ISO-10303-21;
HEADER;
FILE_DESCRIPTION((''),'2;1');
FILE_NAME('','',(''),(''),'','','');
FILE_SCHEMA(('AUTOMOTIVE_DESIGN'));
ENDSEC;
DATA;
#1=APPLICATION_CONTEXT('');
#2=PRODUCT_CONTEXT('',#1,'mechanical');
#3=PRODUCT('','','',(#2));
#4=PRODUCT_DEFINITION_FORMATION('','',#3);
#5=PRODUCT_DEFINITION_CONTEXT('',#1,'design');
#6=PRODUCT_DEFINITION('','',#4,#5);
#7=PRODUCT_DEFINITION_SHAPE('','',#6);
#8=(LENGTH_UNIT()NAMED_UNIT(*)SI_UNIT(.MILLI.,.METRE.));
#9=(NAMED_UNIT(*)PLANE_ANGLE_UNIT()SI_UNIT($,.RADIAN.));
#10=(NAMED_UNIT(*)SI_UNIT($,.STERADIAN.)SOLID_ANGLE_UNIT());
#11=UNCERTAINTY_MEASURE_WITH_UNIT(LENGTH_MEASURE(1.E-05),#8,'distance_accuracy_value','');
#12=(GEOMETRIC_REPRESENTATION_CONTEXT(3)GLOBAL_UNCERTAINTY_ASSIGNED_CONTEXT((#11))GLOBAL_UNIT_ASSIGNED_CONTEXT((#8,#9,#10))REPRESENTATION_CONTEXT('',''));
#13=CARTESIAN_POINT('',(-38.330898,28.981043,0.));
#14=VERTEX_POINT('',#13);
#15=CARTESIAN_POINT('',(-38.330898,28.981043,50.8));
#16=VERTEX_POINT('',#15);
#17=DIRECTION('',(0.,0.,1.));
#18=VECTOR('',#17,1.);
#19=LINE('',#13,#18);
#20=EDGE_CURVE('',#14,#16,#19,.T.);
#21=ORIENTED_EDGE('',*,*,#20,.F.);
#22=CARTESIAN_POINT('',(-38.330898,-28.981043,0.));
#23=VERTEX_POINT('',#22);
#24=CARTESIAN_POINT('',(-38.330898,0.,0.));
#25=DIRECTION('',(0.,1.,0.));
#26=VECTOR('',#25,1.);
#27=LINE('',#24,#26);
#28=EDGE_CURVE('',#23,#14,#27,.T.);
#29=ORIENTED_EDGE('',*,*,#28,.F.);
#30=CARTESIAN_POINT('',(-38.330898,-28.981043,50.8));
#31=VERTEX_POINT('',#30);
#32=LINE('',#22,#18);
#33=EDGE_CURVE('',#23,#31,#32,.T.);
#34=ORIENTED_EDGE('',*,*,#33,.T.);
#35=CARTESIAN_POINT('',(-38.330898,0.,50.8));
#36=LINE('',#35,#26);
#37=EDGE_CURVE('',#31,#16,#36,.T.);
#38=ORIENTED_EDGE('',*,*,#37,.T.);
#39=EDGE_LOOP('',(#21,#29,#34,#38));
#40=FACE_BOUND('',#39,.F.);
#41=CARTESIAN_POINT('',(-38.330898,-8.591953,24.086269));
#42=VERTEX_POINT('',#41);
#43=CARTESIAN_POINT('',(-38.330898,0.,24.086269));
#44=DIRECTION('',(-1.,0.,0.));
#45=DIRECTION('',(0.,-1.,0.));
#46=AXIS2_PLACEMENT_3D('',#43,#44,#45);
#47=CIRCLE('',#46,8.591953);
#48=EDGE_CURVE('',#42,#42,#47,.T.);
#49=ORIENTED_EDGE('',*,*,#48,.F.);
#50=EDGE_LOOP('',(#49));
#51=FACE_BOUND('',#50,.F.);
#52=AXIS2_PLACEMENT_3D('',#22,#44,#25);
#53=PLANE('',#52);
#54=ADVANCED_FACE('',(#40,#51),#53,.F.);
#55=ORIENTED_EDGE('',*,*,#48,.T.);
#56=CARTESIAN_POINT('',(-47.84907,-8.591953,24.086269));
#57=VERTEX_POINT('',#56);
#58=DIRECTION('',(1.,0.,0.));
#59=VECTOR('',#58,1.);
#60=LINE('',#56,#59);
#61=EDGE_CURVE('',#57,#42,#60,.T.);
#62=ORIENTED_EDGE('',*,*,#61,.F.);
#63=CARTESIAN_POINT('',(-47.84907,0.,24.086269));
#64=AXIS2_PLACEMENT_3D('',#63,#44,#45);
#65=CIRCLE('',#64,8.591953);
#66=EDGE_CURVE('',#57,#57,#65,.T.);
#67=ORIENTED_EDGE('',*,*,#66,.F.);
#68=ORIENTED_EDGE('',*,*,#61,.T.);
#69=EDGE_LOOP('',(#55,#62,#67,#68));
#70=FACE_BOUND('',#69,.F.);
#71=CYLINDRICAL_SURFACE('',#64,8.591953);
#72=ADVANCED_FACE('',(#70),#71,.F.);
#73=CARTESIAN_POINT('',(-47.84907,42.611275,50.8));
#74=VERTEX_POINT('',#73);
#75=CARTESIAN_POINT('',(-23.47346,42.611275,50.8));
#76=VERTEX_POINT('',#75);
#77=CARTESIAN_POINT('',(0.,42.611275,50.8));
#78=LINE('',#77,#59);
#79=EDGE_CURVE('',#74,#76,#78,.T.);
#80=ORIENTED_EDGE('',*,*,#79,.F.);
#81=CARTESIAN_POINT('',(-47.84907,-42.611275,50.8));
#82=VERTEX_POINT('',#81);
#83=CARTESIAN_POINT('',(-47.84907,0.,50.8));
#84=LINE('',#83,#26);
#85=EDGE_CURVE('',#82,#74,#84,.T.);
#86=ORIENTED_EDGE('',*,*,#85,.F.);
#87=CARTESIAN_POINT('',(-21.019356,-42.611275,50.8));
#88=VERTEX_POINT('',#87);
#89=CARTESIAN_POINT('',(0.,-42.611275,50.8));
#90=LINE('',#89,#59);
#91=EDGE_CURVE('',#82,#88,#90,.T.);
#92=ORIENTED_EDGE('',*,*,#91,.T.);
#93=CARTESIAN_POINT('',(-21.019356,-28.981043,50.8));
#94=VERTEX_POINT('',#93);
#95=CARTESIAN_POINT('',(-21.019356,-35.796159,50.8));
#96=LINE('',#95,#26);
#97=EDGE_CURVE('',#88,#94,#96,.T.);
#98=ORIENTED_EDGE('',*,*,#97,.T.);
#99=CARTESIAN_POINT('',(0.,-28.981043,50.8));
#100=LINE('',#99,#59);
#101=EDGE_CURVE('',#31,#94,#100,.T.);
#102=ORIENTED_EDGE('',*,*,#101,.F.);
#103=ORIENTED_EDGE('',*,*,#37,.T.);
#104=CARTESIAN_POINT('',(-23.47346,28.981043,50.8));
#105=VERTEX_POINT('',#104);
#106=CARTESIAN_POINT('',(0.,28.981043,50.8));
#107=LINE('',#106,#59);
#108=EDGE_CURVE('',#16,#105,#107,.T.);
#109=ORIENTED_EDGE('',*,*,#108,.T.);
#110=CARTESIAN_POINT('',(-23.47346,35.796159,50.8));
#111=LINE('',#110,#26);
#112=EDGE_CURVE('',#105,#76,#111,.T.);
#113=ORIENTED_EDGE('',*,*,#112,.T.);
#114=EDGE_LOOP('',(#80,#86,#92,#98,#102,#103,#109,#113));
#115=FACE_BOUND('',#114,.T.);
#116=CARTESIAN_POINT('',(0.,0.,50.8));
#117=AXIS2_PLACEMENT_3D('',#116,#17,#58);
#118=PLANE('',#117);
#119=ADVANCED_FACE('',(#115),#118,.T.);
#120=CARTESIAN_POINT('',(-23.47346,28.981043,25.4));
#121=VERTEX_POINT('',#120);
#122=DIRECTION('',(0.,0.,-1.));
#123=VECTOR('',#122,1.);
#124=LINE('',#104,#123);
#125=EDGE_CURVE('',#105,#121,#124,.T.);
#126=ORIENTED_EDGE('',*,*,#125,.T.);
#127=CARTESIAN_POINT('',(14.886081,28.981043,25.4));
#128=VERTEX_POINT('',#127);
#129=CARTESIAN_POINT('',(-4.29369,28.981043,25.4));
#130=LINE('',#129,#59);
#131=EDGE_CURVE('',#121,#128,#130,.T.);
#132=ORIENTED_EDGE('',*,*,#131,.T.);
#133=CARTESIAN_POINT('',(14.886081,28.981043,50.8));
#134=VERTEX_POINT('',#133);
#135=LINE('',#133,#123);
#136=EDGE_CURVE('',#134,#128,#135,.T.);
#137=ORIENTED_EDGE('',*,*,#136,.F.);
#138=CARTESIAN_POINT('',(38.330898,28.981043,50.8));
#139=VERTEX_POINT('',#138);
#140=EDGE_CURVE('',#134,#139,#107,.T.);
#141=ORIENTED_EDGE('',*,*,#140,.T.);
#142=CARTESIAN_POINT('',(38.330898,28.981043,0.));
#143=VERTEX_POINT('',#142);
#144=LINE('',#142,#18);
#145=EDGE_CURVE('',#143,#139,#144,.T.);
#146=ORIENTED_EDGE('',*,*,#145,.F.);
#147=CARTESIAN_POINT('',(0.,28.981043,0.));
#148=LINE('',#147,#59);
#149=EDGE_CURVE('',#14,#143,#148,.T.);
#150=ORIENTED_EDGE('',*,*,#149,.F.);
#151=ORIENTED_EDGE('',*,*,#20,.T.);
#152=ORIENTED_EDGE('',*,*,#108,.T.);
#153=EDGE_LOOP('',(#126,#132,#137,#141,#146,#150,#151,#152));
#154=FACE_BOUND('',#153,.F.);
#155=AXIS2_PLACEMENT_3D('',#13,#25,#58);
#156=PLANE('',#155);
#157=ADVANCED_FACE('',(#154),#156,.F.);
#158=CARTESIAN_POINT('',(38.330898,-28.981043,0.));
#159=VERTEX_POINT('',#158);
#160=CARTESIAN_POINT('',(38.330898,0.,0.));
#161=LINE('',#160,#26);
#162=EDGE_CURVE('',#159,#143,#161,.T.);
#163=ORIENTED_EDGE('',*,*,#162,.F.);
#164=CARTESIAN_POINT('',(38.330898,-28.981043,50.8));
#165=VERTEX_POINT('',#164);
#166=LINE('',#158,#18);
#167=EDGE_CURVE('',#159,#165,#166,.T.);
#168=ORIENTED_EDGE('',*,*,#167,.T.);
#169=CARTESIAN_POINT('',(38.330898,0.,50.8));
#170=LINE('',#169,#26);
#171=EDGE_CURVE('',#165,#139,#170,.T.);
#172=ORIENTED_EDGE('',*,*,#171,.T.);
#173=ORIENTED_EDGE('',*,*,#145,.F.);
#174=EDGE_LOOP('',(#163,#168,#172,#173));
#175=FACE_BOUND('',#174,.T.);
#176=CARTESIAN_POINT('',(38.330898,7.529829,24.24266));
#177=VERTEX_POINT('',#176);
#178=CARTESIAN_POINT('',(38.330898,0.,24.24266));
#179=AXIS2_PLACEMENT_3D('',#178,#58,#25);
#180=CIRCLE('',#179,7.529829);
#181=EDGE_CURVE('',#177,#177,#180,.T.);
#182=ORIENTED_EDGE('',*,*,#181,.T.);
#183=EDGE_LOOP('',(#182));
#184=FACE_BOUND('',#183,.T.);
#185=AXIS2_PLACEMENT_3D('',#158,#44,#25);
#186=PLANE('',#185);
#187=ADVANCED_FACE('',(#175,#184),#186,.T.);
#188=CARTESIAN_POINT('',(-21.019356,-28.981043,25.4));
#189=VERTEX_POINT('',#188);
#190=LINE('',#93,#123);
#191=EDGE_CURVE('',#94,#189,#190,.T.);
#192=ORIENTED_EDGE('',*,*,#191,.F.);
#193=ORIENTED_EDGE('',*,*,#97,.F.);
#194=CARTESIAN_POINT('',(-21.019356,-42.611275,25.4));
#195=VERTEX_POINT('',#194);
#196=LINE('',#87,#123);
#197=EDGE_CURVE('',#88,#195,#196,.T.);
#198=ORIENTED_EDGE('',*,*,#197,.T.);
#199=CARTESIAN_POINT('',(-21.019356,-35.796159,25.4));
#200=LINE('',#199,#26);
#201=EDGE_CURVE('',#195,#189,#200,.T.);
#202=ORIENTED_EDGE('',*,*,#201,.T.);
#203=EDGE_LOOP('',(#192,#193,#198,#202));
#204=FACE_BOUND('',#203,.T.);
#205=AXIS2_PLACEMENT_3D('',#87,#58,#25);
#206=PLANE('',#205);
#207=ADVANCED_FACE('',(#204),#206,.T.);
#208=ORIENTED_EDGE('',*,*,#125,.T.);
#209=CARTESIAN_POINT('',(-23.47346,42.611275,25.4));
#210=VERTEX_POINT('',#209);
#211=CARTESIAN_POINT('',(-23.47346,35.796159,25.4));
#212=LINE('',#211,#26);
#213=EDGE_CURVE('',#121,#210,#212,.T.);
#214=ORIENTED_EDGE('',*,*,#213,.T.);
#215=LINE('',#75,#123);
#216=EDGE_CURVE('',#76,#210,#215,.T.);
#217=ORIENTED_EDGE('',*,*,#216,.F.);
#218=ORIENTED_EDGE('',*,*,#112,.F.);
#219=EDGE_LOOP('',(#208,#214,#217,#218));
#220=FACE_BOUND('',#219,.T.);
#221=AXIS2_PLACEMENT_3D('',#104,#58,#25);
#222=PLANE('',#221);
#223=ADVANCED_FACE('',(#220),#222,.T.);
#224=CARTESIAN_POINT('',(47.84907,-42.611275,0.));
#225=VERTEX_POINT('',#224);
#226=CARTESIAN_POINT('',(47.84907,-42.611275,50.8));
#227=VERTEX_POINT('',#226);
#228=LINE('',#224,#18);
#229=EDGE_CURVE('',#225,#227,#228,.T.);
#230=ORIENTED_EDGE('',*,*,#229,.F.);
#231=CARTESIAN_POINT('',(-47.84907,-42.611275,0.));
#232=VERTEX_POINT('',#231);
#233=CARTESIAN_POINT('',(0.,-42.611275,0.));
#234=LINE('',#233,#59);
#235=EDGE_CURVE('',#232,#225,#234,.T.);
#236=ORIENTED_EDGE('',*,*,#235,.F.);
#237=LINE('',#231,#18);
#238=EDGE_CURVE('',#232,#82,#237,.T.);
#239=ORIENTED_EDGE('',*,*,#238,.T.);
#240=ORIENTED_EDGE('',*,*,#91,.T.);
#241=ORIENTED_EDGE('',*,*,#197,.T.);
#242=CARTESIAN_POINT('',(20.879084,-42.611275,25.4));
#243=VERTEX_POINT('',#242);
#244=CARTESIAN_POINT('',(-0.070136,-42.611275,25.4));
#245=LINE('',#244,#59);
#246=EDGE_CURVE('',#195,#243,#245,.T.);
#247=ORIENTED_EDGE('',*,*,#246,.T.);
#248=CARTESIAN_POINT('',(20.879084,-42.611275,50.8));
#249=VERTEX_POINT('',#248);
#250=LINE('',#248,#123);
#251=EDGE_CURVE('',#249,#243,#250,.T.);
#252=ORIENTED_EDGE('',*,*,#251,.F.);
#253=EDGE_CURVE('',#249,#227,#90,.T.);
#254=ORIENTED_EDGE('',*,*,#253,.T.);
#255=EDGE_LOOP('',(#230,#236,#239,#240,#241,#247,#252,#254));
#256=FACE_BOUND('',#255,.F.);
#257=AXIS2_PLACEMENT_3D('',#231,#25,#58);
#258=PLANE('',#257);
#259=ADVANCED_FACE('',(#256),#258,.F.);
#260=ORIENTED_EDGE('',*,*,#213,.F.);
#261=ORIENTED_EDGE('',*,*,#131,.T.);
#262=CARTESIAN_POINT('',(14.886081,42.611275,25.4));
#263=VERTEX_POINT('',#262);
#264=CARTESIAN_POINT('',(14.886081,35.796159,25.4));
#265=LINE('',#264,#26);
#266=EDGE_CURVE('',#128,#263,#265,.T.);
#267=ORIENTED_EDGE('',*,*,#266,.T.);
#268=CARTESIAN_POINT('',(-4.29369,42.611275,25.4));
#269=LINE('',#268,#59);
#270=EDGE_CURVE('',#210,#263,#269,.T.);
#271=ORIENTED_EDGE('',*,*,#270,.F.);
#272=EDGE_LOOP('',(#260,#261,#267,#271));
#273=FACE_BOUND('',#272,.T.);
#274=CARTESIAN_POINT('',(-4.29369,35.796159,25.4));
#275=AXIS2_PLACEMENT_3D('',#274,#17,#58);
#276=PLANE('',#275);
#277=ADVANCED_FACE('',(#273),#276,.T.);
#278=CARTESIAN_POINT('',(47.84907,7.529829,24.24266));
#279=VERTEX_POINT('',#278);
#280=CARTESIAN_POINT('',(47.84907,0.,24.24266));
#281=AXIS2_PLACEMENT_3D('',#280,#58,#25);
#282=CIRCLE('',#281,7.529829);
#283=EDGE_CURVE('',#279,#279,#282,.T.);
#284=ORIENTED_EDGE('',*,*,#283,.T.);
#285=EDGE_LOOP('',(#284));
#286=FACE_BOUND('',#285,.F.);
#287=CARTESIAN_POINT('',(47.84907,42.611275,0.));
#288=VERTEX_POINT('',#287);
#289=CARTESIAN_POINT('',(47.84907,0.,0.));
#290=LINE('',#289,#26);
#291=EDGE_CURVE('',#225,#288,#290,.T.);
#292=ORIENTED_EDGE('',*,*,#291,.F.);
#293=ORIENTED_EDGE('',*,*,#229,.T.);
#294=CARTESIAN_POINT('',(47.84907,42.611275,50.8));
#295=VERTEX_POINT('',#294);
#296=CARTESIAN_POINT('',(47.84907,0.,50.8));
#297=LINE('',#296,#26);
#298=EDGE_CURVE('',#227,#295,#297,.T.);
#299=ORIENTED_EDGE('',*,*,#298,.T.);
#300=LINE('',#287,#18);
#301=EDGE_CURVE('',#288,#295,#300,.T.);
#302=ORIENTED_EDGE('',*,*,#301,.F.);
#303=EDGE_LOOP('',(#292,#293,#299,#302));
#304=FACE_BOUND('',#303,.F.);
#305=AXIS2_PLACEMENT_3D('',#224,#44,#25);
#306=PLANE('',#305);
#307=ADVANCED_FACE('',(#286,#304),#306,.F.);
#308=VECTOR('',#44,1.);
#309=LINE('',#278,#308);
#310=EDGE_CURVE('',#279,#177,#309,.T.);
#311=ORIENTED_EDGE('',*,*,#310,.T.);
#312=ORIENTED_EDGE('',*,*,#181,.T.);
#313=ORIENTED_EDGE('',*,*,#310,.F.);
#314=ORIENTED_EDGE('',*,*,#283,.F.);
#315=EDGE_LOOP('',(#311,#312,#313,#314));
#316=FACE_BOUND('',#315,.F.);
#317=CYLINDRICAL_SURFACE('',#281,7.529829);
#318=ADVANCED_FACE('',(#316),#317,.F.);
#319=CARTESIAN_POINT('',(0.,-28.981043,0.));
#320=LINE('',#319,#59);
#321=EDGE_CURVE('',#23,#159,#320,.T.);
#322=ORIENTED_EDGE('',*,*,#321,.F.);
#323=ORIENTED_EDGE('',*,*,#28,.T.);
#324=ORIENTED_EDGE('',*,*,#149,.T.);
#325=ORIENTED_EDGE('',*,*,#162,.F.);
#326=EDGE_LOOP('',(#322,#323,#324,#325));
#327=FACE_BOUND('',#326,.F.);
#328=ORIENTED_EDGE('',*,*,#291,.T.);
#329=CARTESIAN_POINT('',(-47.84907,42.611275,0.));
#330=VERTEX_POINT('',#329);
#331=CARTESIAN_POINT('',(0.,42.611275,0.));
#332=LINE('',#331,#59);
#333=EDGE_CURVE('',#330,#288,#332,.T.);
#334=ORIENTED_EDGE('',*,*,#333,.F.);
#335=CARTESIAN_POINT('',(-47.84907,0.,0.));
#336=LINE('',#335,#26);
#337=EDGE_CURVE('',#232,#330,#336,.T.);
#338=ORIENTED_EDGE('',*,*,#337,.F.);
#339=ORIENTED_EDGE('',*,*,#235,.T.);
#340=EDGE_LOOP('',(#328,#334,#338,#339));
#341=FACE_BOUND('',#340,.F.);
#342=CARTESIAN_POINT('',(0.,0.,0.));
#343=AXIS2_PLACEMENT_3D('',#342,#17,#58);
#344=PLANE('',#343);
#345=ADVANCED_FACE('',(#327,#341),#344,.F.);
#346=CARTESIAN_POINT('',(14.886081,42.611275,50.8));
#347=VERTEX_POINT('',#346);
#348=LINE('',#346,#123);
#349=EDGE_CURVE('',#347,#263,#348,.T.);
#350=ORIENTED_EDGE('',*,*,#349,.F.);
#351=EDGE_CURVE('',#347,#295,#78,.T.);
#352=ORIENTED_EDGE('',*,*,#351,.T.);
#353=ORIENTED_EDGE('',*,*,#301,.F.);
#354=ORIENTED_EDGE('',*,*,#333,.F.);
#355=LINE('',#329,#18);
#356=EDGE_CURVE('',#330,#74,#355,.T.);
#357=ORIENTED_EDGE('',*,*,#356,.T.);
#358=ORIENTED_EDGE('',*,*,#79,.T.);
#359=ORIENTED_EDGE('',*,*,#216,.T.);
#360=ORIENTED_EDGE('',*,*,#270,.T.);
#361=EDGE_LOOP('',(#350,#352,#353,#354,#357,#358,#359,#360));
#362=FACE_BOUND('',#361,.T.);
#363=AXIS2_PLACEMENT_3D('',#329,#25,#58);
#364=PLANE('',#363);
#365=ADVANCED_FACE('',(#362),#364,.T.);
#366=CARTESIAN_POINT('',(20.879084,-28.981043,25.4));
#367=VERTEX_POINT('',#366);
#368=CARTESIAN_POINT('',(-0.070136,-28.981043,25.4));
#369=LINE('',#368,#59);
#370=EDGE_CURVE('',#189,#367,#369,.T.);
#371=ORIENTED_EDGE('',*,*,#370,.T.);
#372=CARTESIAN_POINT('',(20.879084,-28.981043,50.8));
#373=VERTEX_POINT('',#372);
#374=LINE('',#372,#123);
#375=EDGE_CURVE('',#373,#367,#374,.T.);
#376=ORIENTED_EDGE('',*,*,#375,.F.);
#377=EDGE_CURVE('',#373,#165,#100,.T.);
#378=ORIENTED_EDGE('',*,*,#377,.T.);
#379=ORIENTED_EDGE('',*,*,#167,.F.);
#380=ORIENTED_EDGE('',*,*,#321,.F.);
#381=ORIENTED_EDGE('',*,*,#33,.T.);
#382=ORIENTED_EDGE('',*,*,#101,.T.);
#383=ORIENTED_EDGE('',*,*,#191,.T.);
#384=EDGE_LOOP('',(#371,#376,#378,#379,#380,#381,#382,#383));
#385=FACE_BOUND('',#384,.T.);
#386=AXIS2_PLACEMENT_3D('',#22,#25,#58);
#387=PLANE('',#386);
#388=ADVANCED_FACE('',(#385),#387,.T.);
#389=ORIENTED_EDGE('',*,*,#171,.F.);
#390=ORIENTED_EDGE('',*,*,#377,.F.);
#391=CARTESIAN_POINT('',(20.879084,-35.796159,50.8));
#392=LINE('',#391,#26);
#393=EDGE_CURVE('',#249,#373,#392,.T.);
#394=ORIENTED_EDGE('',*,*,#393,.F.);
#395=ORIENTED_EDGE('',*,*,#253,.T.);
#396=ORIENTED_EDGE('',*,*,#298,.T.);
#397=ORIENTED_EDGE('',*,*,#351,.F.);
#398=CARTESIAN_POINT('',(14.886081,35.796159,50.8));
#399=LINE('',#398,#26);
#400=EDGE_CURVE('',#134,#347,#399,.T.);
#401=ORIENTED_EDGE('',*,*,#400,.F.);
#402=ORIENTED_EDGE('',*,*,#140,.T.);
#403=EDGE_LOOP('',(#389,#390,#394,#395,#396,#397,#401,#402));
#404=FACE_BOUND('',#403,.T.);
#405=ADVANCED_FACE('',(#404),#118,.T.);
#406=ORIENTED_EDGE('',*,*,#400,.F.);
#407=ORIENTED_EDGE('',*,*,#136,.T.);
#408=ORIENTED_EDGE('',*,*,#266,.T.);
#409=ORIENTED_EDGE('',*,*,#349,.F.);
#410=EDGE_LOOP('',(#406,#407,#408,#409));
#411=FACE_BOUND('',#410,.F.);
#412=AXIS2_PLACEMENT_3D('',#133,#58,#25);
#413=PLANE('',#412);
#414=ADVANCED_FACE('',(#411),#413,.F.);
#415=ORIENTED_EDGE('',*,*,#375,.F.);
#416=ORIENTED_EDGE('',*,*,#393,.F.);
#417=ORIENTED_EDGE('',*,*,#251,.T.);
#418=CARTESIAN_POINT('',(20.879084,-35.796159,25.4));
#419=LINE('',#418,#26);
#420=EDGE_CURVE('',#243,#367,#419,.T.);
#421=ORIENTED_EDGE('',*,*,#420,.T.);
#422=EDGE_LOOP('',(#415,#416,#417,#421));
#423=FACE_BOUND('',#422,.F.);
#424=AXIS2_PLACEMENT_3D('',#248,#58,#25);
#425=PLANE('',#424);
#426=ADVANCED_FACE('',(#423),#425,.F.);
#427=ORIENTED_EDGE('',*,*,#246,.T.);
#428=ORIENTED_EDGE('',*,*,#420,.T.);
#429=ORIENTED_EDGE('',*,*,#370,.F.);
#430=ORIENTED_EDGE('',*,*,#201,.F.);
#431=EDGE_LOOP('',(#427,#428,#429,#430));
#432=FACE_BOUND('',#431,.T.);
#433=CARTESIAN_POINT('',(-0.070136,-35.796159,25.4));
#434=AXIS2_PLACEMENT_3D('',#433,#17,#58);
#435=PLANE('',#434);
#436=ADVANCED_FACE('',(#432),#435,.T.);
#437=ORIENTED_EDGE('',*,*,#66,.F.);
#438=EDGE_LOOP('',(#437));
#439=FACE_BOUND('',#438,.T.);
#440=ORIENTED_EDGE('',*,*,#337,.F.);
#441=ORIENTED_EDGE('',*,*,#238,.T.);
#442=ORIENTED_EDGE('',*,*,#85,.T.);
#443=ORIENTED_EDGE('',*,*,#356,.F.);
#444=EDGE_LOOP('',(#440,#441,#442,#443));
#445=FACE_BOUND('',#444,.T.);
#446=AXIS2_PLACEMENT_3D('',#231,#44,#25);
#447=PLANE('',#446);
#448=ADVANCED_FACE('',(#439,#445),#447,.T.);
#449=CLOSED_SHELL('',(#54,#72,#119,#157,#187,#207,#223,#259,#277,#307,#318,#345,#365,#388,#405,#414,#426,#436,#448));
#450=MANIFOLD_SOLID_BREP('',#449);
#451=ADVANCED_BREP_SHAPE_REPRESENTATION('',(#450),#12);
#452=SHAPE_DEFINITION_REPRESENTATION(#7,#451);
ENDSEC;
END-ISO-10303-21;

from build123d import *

# Parameters (mm, degrees)
F0_W      = 95.6981405616
F0_H      = 85.2225497365
F0_W_2    = 76.6617953777
F0_H_2    = 57.9620860517
F1_DEPTH  = 50.8
F2_W      = 41.8984405696
F2_H      = 13.6302318424
F4_DEPTH  = 25.4
F5_W      = 38.359541446
F5_H      = 13.6302318424
F6_DEPTH  = 25.4
F7_R      = 7.5298291719
F8_DEPTH  = 38.1
F9_R      = 7.8998800408
F10_DEPTH = 38.1
F11_R     = 8.5919528165
F12_DEPTH = 25.4


with BuildPart() as f1:
    # F0 (on Top) → F1 (new body)
    with BuildSketch(Plane.XY):
        Rectangle(F0_W, F0_H)
        Rectangle(F0_W_2, F0_H_2, mode=Mode.SUBTRACT)
    extrude(amount=F1_DEPTH)

    # F2 (on face) → F4 (cut)
    with BuildSketch(Plane.XY.offset(50.8)):
        with Locations((-0.0701360404, -35.7961589471)):
            Rectangle(F2_W, F2_H)
    extrude(amount=-F4_DEPTH, mode=Mode.SUBTRACT)

    # F5 (on face) → F6 (cut)
    with BuildSketch(Plane.XY.offset(50.8)):
        with Locations((-4.2936895043, 35.7961589471)):
            Rectangle(F5_W, F5_H)
    extrude(amount=-F6_DEPTH, mode=Mode.SUBTRACT)

    # F7 (on face) → F8 (cut)
    with BuildSketch(Plane.YZ.offset(47.8490702808)):
        with Locations((0, 24.2426600307)):
            Circle(F7_R)
    extrude(amount=-F8_DEPTH, mode=Mode.SUBTRACT)

    # F9 (on face) → F10 (cut)
    with BuildSketch(Plane(origin=(-47.8490702808, 0, 0), x_dir=(0, -1, 0), z_dir=(-1, 0, 0))):
        with Locations((0, 24.427017197)):
            Circle(F9_R)
    extrude(amount=F10_DEPTH, mode=Mode.SUBTRACT)

    # F11 (on face) → F12 (cut)
    with BuildSketch(Plane(origin=(-47.8490702808, 0, 0), x_dir=(0, -1, 0), z_dir=(-1, 0, 0))):
        with Locations((0, 24.0862686187)):
            Circle(F11_R)
    extrude(amount=-F12_DEPTH, mode=Mode.SUBTRACT)


solid = f1.part
